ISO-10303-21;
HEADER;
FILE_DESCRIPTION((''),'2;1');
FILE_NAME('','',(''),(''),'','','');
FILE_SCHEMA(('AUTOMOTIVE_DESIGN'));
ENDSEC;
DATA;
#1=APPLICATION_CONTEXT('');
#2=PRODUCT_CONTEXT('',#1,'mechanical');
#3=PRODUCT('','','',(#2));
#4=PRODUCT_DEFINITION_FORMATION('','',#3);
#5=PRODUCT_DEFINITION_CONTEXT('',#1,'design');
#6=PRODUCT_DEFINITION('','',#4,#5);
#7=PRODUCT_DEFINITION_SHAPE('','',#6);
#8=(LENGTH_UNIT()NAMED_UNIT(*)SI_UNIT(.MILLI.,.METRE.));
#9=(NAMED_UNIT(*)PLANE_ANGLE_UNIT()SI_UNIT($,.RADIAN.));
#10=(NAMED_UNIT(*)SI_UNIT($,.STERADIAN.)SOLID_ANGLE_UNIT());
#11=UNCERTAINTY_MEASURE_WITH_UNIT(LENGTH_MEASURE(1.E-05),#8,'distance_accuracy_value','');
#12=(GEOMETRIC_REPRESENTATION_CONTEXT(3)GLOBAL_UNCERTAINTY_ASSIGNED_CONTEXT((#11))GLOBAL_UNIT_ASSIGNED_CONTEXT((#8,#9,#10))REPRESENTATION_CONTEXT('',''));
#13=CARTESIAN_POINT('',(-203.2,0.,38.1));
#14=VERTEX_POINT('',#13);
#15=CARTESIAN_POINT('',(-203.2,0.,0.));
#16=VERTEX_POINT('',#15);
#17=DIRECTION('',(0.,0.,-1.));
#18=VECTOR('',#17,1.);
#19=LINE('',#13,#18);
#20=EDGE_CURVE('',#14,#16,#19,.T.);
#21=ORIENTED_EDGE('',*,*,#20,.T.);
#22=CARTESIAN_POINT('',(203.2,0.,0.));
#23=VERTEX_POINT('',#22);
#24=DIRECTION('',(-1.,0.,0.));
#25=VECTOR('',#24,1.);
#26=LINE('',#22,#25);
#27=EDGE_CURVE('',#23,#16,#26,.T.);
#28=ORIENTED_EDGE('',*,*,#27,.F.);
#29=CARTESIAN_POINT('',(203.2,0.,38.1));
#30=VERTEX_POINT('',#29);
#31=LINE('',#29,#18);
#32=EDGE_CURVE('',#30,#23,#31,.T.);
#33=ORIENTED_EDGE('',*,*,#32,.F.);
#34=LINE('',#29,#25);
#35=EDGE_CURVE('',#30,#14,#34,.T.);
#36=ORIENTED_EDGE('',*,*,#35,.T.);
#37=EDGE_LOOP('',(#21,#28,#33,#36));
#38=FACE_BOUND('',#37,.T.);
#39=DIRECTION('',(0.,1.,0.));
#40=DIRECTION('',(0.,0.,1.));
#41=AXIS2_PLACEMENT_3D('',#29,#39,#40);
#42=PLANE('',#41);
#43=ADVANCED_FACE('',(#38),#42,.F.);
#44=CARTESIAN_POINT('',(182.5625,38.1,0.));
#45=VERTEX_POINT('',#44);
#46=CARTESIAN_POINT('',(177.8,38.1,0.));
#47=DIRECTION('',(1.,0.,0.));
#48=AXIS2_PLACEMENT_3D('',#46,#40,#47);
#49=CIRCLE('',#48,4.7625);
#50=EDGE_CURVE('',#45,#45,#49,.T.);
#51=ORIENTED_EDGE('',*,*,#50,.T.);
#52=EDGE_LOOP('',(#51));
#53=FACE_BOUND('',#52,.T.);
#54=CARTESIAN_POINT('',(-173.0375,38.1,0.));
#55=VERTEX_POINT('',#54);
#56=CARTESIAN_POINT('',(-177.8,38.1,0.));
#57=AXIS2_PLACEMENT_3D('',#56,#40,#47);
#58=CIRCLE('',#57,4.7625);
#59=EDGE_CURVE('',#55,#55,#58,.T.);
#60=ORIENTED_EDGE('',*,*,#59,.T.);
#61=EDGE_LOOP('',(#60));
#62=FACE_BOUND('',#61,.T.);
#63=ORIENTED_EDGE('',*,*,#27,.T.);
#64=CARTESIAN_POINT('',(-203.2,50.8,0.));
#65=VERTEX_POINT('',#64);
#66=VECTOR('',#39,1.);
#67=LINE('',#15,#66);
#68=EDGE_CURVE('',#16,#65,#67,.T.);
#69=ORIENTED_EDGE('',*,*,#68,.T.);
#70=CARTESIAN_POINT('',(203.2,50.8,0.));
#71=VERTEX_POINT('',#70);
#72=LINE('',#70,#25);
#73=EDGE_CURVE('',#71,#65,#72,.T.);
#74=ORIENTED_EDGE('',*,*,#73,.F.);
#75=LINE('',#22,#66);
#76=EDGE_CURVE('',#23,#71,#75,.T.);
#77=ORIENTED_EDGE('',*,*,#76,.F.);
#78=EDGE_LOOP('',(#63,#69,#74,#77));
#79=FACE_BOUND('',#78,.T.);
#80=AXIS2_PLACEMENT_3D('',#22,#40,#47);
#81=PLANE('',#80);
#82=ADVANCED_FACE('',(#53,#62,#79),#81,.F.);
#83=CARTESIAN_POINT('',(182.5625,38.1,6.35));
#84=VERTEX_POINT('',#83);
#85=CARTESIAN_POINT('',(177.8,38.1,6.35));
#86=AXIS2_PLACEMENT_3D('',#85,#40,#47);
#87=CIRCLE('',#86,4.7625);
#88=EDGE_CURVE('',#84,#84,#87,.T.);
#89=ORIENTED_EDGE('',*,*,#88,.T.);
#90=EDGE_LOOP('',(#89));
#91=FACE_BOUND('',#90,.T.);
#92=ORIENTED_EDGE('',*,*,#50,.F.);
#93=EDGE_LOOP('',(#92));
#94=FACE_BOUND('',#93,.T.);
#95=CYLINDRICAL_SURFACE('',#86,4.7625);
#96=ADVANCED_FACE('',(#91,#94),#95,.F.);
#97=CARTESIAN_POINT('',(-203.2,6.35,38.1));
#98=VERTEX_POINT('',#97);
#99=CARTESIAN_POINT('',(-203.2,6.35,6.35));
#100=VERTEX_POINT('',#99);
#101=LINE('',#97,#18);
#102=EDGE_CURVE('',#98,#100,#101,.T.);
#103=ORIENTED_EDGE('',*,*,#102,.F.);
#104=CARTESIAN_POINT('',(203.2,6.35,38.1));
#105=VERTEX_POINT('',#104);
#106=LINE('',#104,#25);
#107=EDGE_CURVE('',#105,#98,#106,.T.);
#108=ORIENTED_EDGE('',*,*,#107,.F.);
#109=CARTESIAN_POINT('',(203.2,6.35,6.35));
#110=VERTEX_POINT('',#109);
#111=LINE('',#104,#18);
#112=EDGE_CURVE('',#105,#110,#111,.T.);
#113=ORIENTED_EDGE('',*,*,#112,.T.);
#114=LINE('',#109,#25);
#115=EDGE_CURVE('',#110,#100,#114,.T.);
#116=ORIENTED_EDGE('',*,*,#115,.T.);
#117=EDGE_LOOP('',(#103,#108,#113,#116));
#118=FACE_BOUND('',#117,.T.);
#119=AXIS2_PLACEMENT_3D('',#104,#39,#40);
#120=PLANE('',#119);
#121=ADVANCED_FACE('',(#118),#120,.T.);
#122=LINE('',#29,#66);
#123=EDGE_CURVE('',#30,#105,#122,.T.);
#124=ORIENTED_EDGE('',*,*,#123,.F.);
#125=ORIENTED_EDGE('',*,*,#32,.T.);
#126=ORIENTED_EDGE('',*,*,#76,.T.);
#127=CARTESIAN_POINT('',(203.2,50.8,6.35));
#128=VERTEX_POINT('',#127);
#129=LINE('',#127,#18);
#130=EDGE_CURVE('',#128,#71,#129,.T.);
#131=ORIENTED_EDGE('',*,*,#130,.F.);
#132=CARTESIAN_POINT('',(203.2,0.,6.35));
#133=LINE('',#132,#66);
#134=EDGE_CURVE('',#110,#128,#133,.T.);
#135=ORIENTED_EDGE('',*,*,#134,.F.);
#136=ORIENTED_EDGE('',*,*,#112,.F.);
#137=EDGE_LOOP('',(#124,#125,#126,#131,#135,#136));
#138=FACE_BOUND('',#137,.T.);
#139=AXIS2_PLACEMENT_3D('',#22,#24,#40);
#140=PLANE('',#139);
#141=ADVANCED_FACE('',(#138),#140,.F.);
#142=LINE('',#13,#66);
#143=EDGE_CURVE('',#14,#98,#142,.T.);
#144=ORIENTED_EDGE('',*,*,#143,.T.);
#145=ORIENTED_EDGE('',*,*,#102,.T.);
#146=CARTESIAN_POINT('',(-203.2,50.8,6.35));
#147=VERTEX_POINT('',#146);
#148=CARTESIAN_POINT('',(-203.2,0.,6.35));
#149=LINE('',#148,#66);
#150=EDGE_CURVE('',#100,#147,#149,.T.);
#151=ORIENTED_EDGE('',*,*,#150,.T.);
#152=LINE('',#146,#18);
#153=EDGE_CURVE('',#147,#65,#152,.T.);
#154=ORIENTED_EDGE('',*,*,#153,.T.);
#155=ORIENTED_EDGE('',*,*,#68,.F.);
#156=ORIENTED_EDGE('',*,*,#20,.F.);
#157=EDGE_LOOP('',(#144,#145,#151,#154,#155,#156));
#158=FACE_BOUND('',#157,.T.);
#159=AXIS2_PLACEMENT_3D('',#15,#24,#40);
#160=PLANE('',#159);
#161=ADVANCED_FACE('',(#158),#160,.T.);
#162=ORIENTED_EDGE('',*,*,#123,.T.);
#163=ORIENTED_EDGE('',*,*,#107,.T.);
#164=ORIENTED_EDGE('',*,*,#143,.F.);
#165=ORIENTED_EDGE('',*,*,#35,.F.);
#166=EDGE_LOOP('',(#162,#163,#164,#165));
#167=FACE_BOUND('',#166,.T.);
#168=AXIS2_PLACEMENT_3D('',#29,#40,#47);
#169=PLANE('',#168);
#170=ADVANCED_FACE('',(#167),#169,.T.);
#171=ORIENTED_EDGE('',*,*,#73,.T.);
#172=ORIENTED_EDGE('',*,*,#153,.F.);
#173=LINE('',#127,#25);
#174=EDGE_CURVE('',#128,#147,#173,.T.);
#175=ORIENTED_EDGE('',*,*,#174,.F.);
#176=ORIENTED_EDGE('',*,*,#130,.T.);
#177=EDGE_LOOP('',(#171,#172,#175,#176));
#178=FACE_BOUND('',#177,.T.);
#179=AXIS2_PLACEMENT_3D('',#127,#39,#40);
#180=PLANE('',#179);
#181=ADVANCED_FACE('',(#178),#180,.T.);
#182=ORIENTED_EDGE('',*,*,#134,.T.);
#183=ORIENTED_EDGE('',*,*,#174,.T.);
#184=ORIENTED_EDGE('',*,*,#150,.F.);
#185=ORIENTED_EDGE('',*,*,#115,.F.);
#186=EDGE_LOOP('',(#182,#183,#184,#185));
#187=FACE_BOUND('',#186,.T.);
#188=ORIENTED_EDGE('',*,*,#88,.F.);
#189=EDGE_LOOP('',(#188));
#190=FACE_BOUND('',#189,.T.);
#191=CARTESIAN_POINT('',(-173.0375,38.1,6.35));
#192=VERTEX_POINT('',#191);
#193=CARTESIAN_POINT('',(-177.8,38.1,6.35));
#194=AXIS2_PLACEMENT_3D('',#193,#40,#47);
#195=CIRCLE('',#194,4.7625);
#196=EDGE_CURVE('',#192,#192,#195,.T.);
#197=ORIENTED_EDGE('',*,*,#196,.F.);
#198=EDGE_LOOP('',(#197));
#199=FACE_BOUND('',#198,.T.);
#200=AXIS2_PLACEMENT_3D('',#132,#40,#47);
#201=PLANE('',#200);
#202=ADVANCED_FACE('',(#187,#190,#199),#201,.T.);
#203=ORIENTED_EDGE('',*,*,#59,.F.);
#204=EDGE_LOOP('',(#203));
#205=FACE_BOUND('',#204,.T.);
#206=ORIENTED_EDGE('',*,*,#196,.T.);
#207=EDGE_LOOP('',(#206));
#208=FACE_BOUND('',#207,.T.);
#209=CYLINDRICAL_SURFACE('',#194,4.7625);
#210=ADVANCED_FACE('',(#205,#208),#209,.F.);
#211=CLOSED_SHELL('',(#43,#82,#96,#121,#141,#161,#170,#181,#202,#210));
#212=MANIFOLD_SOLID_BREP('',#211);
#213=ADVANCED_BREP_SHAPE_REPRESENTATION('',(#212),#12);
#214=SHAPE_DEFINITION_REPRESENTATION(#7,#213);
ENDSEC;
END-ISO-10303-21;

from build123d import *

# Parameters (mm, degrees)
EXTRUDE_THIN1_DEPTH          = 203.2
F_3_8_0_375_DIAMETER_HOLE1_D = 9.525


with BuildPart() as part:
    # Sketch1 → Extrude-Thin1 (new, symmetric)
    with BuildSketch(Plane(origin=(0, 0, 0), x_dir=(0, 0, -1), z_dir=(1, 0, 0))):
        Polygon((-38.1, 0), (0, 0), (0, 50.8), (-6.35, 50.8), (-6.35, 6.35), (-38.1, 6.35), align=None)
    extrude(amount=EXTRUDE_THIN1_DEPTH, both=True)

    # 3/8 (0.375) Diameter Hole1 (through all)
    with Locations(Plane.XY.offset(6.35)):
        with Locations((-177.8, 38.1), (177.8, 38.1)):
            Hole(F_3_8_0_375_DIAMETER_HOLE1_D / 2)


solid = part.part
